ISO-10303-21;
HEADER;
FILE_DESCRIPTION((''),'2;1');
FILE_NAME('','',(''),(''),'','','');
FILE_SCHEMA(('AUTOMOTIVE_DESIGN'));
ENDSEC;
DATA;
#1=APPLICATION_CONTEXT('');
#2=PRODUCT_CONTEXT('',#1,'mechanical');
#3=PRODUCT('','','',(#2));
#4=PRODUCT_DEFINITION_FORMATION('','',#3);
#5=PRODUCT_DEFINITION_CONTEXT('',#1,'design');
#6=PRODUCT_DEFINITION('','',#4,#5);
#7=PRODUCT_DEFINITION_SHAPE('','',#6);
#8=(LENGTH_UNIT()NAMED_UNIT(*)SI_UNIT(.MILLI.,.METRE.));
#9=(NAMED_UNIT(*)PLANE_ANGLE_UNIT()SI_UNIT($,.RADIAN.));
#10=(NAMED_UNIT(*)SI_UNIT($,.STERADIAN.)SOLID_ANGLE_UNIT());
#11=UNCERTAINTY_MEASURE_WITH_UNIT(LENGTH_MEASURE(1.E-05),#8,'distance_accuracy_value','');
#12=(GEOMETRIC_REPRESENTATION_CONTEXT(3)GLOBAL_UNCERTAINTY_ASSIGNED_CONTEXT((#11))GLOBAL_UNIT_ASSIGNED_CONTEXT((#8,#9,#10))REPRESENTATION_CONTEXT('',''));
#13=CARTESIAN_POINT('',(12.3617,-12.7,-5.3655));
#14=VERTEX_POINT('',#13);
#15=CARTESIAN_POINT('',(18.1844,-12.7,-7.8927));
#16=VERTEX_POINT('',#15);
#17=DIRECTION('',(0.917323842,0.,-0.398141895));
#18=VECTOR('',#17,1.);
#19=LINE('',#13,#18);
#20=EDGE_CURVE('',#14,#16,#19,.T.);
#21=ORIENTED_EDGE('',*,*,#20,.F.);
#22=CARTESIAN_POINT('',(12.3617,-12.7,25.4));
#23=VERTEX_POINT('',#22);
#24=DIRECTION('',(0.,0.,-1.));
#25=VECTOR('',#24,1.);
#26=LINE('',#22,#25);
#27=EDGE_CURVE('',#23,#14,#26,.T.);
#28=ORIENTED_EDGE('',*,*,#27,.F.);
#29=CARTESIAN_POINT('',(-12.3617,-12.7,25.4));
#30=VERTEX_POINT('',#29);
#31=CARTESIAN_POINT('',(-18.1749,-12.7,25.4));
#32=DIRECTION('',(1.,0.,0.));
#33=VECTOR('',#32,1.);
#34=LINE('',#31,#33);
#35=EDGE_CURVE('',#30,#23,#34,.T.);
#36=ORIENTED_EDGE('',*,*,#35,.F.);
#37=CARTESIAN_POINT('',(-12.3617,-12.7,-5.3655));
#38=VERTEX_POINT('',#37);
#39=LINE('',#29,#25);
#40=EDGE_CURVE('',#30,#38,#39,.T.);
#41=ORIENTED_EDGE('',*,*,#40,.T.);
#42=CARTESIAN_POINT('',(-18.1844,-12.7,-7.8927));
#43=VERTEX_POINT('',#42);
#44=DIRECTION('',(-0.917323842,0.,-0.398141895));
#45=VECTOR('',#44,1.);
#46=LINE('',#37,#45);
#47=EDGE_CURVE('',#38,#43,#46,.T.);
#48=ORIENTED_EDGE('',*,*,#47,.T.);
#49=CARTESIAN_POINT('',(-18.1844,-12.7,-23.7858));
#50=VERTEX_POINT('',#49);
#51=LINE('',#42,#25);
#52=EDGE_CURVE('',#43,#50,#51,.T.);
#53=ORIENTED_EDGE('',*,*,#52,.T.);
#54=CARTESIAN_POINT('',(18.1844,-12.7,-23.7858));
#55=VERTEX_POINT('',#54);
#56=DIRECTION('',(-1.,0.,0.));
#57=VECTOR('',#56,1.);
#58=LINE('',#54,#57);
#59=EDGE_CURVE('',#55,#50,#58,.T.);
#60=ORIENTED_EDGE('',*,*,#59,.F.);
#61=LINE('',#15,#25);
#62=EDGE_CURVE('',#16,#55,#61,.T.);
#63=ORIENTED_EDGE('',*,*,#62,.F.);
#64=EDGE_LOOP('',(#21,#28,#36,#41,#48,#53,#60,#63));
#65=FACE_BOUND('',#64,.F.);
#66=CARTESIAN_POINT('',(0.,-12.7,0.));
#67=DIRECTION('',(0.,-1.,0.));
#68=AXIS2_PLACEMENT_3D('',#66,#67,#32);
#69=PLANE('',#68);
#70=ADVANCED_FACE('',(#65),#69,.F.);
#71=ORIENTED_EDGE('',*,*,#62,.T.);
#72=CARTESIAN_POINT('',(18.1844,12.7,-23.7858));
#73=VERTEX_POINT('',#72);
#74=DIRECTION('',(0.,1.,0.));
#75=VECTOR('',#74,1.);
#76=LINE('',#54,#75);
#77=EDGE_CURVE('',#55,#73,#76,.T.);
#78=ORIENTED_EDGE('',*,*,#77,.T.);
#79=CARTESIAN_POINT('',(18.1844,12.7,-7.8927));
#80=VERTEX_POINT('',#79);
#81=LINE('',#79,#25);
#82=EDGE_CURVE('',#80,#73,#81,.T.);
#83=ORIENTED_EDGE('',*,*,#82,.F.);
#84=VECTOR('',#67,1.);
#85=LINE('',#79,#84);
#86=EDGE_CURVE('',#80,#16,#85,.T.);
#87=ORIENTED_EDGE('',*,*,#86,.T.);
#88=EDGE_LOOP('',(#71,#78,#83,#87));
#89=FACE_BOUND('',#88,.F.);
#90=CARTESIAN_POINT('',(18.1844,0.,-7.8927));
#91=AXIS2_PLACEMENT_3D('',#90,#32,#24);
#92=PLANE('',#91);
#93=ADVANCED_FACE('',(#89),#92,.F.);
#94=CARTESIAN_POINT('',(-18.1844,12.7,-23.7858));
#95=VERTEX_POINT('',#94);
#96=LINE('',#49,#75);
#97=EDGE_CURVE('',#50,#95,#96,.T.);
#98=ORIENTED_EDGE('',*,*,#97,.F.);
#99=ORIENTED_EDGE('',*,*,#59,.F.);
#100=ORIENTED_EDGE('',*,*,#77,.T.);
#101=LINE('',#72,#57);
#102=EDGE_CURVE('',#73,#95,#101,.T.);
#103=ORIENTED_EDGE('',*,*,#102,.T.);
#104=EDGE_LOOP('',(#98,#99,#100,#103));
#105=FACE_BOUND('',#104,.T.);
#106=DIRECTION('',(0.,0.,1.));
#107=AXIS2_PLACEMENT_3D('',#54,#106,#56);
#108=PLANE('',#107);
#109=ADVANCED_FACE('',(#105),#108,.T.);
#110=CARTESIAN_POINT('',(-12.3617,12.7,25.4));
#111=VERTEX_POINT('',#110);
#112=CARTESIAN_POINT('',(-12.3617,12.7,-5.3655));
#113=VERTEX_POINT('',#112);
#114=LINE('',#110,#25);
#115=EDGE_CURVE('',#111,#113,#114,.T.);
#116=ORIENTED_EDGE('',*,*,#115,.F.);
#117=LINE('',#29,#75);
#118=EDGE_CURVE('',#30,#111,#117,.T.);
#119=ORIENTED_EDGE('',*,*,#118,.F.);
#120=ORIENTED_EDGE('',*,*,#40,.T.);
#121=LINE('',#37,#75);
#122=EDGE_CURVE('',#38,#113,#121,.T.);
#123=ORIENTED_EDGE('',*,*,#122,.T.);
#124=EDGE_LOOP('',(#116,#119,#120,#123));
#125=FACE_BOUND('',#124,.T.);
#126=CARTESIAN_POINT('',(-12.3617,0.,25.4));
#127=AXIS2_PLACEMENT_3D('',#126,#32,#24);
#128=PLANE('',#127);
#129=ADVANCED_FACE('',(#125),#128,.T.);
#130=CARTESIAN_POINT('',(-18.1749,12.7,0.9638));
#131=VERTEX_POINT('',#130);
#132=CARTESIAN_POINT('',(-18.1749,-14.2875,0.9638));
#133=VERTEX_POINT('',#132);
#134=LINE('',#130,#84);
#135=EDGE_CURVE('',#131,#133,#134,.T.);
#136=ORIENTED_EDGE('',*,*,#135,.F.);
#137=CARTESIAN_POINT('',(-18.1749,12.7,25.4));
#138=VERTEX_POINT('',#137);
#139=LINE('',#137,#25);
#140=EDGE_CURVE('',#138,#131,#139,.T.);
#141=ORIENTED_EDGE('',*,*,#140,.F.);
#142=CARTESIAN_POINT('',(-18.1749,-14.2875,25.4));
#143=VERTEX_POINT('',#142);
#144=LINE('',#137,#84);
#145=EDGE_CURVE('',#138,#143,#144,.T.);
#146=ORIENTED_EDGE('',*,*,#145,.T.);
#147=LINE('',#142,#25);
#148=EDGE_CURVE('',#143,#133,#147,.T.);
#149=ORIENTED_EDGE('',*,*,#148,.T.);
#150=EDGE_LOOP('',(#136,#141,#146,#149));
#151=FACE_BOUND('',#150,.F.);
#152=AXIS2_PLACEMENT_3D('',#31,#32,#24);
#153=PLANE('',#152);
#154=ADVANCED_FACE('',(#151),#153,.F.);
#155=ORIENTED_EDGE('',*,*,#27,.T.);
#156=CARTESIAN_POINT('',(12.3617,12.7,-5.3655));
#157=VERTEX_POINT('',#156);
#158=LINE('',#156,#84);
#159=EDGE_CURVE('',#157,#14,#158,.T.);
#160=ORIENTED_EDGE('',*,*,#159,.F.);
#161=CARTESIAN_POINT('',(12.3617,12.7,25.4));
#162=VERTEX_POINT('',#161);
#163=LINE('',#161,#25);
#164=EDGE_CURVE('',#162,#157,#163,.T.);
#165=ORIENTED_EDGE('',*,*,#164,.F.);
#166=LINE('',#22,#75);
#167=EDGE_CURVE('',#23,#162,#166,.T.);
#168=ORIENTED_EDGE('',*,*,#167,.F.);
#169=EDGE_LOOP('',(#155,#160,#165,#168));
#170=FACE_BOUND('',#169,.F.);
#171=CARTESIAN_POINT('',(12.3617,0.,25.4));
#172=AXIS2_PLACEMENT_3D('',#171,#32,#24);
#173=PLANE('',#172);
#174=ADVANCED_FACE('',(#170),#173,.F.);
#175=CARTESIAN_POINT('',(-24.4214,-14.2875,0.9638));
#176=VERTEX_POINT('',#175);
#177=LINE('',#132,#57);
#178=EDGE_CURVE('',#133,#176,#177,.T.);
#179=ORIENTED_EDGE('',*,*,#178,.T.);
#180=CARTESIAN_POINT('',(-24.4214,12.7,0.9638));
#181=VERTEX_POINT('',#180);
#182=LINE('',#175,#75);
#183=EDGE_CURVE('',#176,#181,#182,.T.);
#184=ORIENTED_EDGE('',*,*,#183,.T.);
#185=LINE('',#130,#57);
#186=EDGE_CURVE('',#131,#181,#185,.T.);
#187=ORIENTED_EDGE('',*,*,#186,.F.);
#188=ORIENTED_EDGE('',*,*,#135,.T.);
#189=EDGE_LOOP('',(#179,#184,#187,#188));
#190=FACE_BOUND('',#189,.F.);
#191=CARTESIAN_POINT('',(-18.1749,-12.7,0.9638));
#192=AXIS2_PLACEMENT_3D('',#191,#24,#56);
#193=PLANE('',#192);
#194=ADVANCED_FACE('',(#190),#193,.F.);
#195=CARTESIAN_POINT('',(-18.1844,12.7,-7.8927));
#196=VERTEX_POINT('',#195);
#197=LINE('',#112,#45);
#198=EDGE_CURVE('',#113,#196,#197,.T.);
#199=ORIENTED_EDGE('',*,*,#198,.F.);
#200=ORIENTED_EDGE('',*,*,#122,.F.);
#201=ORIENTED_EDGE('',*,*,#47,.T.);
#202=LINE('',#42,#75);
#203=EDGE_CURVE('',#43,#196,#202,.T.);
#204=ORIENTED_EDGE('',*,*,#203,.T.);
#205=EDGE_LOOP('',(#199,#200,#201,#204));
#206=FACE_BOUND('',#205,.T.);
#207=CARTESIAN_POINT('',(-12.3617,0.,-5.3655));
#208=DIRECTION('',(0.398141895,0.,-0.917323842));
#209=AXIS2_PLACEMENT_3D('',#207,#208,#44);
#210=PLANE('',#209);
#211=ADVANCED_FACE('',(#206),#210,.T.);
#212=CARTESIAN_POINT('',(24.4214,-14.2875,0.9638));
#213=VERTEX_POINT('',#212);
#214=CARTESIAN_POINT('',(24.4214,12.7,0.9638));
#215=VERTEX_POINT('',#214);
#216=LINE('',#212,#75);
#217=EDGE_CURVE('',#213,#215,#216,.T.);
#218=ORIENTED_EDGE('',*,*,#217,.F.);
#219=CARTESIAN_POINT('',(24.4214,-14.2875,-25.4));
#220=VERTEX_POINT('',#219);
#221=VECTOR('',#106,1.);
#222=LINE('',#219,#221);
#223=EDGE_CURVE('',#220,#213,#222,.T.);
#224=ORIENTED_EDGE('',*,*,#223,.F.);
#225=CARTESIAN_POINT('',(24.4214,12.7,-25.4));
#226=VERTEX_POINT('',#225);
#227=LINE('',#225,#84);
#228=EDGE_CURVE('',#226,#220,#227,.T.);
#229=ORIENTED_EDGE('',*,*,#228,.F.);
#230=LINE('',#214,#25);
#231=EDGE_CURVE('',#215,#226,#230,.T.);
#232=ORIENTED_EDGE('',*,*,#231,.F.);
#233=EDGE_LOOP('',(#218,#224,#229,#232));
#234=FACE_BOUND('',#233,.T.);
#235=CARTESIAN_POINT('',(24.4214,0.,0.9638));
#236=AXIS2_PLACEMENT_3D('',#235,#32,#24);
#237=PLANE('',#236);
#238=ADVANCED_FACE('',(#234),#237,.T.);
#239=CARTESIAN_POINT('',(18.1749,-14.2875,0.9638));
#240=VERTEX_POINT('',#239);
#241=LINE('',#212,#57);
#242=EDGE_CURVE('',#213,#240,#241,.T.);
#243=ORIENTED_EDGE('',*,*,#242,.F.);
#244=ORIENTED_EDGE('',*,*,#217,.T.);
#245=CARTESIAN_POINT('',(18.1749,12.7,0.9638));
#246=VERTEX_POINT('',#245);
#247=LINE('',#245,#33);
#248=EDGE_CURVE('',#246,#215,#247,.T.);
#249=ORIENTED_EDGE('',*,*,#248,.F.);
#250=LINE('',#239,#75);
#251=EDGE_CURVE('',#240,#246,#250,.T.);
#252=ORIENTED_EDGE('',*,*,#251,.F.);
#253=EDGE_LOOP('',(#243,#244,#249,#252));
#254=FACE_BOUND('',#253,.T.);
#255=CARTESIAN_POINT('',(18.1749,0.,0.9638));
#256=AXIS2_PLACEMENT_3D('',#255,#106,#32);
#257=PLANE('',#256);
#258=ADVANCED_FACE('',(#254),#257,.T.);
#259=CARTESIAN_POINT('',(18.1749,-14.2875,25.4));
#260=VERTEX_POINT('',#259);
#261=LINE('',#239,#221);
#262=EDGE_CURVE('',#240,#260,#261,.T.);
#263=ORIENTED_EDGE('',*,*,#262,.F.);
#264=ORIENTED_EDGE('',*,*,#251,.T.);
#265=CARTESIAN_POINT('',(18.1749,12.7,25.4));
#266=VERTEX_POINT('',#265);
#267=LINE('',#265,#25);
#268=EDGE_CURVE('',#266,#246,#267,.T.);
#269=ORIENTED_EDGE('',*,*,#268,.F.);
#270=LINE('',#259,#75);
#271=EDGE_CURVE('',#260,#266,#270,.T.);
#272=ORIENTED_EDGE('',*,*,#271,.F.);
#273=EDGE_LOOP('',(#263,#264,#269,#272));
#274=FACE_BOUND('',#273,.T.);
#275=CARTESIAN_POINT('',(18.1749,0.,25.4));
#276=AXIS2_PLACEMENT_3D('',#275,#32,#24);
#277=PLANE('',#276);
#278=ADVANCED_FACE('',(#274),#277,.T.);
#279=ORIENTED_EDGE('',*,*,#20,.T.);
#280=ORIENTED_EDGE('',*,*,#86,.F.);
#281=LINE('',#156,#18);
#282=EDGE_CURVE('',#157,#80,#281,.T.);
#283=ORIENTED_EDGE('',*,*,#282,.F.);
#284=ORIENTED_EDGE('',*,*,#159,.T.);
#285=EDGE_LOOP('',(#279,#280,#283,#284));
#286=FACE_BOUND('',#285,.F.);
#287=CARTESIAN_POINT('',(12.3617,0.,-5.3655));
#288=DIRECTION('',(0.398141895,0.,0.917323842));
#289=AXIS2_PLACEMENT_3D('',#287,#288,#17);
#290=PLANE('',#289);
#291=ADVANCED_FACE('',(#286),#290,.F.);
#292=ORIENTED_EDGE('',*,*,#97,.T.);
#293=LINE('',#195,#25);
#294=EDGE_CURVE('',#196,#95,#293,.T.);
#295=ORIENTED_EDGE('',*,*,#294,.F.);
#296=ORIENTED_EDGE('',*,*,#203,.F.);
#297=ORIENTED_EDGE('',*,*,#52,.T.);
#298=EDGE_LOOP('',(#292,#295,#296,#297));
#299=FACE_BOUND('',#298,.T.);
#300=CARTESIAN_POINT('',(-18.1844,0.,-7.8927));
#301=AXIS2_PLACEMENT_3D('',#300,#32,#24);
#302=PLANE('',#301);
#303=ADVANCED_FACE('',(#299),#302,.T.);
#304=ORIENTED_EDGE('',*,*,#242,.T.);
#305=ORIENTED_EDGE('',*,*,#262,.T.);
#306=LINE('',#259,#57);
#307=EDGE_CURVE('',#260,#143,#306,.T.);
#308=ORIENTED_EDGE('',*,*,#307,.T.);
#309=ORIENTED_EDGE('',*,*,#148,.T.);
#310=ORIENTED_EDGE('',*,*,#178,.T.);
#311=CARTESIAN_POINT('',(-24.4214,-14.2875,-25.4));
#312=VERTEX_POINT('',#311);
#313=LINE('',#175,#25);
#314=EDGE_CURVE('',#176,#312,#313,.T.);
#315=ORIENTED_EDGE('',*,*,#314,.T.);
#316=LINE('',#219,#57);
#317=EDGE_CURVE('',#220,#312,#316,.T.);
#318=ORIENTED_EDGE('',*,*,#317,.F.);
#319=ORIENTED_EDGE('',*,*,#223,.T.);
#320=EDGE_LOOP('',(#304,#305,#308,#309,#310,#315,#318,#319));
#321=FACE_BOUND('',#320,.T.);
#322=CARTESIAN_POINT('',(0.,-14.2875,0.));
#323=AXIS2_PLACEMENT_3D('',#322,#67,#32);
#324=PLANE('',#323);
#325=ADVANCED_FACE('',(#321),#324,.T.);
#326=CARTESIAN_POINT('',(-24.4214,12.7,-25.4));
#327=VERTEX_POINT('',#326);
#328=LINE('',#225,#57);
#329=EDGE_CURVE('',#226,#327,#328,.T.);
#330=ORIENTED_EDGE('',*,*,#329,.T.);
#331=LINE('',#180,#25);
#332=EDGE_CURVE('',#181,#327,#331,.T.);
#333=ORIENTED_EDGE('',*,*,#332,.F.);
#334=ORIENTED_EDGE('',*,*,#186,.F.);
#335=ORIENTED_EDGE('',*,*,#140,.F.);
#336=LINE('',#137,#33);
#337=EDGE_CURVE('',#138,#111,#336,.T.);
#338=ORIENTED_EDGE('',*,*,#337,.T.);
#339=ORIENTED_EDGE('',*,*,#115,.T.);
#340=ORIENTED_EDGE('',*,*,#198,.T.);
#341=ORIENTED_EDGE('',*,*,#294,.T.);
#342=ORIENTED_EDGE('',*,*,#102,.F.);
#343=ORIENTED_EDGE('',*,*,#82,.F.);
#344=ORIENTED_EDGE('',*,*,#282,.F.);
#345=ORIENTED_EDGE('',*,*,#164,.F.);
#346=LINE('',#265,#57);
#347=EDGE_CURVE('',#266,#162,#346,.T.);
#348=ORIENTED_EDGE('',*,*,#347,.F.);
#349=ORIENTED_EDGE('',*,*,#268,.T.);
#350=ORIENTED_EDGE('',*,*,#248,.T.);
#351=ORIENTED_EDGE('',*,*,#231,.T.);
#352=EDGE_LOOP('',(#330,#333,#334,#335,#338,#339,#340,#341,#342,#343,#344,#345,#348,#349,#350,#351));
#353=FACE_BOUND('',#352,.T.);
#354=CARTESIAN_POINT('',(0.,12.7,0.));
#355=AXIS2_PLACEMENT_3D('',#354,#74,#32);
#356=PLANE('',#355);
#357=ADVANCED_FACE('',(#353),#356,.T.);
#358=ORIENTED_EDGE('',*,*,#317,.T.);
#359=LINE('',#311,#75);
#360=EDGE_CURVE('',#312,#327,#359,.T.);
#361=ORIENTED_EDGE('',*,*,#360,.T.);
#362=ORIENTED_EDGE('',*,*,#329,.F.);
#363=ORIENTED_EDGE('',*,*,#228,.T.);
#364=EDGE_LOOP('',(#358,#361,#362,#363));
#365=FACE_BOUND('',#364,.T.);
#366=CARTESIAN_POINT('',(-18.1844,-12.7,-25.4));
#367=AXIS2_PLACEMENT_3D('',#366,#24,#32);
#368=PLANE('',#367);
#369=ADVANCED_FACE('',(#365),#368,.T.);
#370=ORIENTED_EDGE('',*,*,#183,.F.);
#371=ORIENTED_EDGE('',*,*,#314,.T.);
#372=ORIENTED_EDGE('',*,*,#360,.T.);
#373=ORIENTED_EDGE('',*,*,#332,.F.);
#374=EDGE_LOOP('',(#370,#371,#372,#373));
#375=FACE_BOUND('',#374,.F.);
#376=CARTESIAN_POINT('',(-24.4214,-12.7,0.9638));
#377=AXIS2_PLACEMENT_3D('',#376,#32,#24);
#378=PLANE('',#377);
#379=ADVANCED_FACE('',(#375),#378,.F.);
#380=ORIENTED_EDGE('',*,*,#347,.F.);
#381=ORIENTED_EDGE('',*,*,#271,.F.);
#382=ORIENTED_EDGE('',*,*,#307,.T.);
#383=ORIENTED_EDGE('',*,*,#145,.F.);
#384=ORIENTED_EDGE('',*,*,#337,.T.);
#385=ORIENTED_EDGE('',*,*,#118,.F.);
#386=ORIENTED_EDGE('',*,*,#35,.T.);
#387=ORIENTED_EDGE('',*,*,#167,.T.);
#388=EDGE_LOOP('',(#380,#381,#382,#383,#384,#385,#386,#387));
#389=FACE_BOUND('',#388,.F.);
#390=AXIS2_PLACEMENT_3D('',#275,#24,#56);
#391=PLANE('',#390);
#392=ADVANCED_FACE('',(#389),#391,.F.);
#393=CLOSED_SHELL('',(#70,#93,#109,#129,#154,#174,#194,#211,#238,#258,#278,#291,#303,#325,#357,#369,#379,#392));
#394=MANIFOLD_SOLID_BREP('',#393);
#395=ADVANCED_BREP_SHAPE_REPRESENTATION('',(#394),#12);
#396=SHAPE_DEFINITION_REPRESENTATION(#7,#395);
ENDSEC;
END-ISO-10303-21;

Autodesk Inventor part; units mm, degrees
ref_plane "YZ Plane" through (0, 0, 0) normal (1, 0, 0) x (0, 1, 0)
ref_plane "XZ Plane" through (0, 0, 0) normal (0, 1, 0) x (-1, 0, 0)
ref_plane "XY Plane" through (0, 0, 0) normal (0, 0, 1) x (1, 0, 0)
sketch "Sketch1" plane through (0, 0, 0) normal (0, 1, 0) x (-1, 0, 0)
  line L0 (0, 0) -> (0, -14.0125) construction
  line L1 (12.3617, 25.4) -> (12.3617, -5.3655)
  line L2 (12.3617, -5.3655) -> (18.1749, -5.3655)
  line L3 (18.1844, -7.8927) -> (18.1844, -25.4)
  line L4 (18.1749, 25.4) -> (18.1749, 0.9638)
  line L5 (18.1749, 0.9638) -> (24.4214, 0.9638)
  line L6 (24.4214, 0.9638) -> (24.4214, -25.4)
  line L7 (18.1749, 25.4) -> (12.3617, 25.4)
  line L8 (18.1844, -25.4) -> (24.4214, -25.4)
  line L9 (-12.3617, 25.4) -> (-12.3617, -5.3655)
  line L10 (-12.3617, -5.3655) -> (-18.1749, 9.6342)
  line L11 (-18.1844, -7.8927) -> (-18.1844, -25.4)
  line L12 (-18.1749, 25.4) -> (-18.1749, 0.9638)
  line L13 (-18.1749, 0.9638) -> (-24.4214, 0.9638)
  line L14 (-24.4214, 0.9638) -> (-24.4214, -25.4)
  line L15 (-18.1749, 25.4) -> (-12.3617, 25.4)
  line L16 (-18.1844, -25.4) -> (-24.4214, -25.4)
  line L17 (12.3617, -5.3655) -> (18.1844, -7.8927)
  line L18 (-12.3617, -5.3655) -> (-18.1844, -7.8927)
  line L19 (12.3617, -5.3655) -> (0, 0) construction
  line L20 (27.1198, 0) -> (23.5153, 0) construction
  point P0 (18.1938, 0)
  point P1 (-18.1938, 0)
  point P2 (25.3175, 0)
  dimension "d10" = 50.8
  dimension "d11" = 25.4
extrude "Extrusion1" add sketch "Sketch1" against normal mid plane 25.4
sketch "Sketch2" plane through (0, -12.7, 0) normal (0, -1, 0) x (1, 0, 0)
  line L0 (-12.3617, -5.3655) -> (-12.3617, 25.4) projected
  line L1 (-12.3617, 25.4) -> (-18.1749, 25.4) projected
  line L2 (-18.1749, 25.4) -> (-18.1749, 0.9638) projected
  line L3 (-18.1749, 0.9638) -> (-24.4214, 0.9638) projected
  line L4 (-24.4214, 0.9638) -> (-24.4214, -25.4) projected
  line L5 (-24.4214, -25.4) -> (-18.1844, -25.4) projected
  line L6 (-18.1844, -25.4) -> (-18.1844, -7.8927) projected
  line L7 (24.4214, 0.9638) -> (18.1749, 0.9638) projected
  line L8 (18.1749, 0.9638) -> (18.1749, 25.4) projected
  line L9 (18.1749, 25.4) -> (12.3617, 25.4) projected
  line L10 (12.3617, 25.4) -> (12.3617, -5.3655) projected
  line L11 (18.1844, -7.8927) -> (18.1844, -25.4) projected
  line L12 (18.1844, -25.4) -> (24.4214, -25.4) projected
  line L13 (24.4214, -25.4) -> (24.4214, 0.9638) projected
  line L14 (18.1749, 25.4) -> (12.3617, 25.4) projected
  line L15 (-12.3617, 25.4) -> (-18.1749, 25.4) projected
  line L16 (18.1749, 25.4) -> (-18.1749, 25.4)
  line L17 (24.4214, 0.9638) -> (24.4214, -25.4) projected
  line L18 (24.4214, -25.4) -> (-24.4214, -25.4)
  line L19 (12.3617, -5.3655) -> (18.1844, -7.8927) projected
  line L20 (-18.1844, -7.8927) -> (-12.3617, -5.3655) projected
  point P0 (0, 0)
extrude "Extrusion2" add sketch "Sketch2" along normal blind 1.5875
sketch "Sketch4" plane through (0, -12.7, 0) normal (0, 1, 0) x (1, 0, 0)
  line L0 (18.1844, 7.8927) -> (18.1844, 25.4) projected
  line L1 (-18.1844, 25.4) -> (18.1844, 25.4) projected
  line L2 (-18.1844, 25.4) -> (-18.1844, 7.8927) projected
  line L3 (-18.1844, 7.8927) -> (-12.3617, 5.3655) projected
  line L4 (-12.3617, 5.3655) -> (-12.3617, -25.4) projected
  line L5 (12.3617, -25.4) -> (-12.3617, -25.4) projected
  line L6 (12.3617, -25.4) -> (12.3617, 5.3655) projected
  line L7 (12.3617, 5.3655) -> (18.1844, 7.8927) projected
  line L8 (-18.1844, 25.4) -> (18.1844, 25.4)
  line L9 (18.1844, 25.4) -> (18.1844, 23.7858)
  line L10 (18.1844, 23.7858) -> (-18.1844, 23.7858)
  line L11 (-18.1844, 23.7858) -> (-18.1844, 25.4)
  point P0 (0, 0)
extrude "Extrusion4" add sketch "Sketch4" along normal up to surface (25.4 mm away) contours L10 L2 L1 L0
properties part number "large_room1"
